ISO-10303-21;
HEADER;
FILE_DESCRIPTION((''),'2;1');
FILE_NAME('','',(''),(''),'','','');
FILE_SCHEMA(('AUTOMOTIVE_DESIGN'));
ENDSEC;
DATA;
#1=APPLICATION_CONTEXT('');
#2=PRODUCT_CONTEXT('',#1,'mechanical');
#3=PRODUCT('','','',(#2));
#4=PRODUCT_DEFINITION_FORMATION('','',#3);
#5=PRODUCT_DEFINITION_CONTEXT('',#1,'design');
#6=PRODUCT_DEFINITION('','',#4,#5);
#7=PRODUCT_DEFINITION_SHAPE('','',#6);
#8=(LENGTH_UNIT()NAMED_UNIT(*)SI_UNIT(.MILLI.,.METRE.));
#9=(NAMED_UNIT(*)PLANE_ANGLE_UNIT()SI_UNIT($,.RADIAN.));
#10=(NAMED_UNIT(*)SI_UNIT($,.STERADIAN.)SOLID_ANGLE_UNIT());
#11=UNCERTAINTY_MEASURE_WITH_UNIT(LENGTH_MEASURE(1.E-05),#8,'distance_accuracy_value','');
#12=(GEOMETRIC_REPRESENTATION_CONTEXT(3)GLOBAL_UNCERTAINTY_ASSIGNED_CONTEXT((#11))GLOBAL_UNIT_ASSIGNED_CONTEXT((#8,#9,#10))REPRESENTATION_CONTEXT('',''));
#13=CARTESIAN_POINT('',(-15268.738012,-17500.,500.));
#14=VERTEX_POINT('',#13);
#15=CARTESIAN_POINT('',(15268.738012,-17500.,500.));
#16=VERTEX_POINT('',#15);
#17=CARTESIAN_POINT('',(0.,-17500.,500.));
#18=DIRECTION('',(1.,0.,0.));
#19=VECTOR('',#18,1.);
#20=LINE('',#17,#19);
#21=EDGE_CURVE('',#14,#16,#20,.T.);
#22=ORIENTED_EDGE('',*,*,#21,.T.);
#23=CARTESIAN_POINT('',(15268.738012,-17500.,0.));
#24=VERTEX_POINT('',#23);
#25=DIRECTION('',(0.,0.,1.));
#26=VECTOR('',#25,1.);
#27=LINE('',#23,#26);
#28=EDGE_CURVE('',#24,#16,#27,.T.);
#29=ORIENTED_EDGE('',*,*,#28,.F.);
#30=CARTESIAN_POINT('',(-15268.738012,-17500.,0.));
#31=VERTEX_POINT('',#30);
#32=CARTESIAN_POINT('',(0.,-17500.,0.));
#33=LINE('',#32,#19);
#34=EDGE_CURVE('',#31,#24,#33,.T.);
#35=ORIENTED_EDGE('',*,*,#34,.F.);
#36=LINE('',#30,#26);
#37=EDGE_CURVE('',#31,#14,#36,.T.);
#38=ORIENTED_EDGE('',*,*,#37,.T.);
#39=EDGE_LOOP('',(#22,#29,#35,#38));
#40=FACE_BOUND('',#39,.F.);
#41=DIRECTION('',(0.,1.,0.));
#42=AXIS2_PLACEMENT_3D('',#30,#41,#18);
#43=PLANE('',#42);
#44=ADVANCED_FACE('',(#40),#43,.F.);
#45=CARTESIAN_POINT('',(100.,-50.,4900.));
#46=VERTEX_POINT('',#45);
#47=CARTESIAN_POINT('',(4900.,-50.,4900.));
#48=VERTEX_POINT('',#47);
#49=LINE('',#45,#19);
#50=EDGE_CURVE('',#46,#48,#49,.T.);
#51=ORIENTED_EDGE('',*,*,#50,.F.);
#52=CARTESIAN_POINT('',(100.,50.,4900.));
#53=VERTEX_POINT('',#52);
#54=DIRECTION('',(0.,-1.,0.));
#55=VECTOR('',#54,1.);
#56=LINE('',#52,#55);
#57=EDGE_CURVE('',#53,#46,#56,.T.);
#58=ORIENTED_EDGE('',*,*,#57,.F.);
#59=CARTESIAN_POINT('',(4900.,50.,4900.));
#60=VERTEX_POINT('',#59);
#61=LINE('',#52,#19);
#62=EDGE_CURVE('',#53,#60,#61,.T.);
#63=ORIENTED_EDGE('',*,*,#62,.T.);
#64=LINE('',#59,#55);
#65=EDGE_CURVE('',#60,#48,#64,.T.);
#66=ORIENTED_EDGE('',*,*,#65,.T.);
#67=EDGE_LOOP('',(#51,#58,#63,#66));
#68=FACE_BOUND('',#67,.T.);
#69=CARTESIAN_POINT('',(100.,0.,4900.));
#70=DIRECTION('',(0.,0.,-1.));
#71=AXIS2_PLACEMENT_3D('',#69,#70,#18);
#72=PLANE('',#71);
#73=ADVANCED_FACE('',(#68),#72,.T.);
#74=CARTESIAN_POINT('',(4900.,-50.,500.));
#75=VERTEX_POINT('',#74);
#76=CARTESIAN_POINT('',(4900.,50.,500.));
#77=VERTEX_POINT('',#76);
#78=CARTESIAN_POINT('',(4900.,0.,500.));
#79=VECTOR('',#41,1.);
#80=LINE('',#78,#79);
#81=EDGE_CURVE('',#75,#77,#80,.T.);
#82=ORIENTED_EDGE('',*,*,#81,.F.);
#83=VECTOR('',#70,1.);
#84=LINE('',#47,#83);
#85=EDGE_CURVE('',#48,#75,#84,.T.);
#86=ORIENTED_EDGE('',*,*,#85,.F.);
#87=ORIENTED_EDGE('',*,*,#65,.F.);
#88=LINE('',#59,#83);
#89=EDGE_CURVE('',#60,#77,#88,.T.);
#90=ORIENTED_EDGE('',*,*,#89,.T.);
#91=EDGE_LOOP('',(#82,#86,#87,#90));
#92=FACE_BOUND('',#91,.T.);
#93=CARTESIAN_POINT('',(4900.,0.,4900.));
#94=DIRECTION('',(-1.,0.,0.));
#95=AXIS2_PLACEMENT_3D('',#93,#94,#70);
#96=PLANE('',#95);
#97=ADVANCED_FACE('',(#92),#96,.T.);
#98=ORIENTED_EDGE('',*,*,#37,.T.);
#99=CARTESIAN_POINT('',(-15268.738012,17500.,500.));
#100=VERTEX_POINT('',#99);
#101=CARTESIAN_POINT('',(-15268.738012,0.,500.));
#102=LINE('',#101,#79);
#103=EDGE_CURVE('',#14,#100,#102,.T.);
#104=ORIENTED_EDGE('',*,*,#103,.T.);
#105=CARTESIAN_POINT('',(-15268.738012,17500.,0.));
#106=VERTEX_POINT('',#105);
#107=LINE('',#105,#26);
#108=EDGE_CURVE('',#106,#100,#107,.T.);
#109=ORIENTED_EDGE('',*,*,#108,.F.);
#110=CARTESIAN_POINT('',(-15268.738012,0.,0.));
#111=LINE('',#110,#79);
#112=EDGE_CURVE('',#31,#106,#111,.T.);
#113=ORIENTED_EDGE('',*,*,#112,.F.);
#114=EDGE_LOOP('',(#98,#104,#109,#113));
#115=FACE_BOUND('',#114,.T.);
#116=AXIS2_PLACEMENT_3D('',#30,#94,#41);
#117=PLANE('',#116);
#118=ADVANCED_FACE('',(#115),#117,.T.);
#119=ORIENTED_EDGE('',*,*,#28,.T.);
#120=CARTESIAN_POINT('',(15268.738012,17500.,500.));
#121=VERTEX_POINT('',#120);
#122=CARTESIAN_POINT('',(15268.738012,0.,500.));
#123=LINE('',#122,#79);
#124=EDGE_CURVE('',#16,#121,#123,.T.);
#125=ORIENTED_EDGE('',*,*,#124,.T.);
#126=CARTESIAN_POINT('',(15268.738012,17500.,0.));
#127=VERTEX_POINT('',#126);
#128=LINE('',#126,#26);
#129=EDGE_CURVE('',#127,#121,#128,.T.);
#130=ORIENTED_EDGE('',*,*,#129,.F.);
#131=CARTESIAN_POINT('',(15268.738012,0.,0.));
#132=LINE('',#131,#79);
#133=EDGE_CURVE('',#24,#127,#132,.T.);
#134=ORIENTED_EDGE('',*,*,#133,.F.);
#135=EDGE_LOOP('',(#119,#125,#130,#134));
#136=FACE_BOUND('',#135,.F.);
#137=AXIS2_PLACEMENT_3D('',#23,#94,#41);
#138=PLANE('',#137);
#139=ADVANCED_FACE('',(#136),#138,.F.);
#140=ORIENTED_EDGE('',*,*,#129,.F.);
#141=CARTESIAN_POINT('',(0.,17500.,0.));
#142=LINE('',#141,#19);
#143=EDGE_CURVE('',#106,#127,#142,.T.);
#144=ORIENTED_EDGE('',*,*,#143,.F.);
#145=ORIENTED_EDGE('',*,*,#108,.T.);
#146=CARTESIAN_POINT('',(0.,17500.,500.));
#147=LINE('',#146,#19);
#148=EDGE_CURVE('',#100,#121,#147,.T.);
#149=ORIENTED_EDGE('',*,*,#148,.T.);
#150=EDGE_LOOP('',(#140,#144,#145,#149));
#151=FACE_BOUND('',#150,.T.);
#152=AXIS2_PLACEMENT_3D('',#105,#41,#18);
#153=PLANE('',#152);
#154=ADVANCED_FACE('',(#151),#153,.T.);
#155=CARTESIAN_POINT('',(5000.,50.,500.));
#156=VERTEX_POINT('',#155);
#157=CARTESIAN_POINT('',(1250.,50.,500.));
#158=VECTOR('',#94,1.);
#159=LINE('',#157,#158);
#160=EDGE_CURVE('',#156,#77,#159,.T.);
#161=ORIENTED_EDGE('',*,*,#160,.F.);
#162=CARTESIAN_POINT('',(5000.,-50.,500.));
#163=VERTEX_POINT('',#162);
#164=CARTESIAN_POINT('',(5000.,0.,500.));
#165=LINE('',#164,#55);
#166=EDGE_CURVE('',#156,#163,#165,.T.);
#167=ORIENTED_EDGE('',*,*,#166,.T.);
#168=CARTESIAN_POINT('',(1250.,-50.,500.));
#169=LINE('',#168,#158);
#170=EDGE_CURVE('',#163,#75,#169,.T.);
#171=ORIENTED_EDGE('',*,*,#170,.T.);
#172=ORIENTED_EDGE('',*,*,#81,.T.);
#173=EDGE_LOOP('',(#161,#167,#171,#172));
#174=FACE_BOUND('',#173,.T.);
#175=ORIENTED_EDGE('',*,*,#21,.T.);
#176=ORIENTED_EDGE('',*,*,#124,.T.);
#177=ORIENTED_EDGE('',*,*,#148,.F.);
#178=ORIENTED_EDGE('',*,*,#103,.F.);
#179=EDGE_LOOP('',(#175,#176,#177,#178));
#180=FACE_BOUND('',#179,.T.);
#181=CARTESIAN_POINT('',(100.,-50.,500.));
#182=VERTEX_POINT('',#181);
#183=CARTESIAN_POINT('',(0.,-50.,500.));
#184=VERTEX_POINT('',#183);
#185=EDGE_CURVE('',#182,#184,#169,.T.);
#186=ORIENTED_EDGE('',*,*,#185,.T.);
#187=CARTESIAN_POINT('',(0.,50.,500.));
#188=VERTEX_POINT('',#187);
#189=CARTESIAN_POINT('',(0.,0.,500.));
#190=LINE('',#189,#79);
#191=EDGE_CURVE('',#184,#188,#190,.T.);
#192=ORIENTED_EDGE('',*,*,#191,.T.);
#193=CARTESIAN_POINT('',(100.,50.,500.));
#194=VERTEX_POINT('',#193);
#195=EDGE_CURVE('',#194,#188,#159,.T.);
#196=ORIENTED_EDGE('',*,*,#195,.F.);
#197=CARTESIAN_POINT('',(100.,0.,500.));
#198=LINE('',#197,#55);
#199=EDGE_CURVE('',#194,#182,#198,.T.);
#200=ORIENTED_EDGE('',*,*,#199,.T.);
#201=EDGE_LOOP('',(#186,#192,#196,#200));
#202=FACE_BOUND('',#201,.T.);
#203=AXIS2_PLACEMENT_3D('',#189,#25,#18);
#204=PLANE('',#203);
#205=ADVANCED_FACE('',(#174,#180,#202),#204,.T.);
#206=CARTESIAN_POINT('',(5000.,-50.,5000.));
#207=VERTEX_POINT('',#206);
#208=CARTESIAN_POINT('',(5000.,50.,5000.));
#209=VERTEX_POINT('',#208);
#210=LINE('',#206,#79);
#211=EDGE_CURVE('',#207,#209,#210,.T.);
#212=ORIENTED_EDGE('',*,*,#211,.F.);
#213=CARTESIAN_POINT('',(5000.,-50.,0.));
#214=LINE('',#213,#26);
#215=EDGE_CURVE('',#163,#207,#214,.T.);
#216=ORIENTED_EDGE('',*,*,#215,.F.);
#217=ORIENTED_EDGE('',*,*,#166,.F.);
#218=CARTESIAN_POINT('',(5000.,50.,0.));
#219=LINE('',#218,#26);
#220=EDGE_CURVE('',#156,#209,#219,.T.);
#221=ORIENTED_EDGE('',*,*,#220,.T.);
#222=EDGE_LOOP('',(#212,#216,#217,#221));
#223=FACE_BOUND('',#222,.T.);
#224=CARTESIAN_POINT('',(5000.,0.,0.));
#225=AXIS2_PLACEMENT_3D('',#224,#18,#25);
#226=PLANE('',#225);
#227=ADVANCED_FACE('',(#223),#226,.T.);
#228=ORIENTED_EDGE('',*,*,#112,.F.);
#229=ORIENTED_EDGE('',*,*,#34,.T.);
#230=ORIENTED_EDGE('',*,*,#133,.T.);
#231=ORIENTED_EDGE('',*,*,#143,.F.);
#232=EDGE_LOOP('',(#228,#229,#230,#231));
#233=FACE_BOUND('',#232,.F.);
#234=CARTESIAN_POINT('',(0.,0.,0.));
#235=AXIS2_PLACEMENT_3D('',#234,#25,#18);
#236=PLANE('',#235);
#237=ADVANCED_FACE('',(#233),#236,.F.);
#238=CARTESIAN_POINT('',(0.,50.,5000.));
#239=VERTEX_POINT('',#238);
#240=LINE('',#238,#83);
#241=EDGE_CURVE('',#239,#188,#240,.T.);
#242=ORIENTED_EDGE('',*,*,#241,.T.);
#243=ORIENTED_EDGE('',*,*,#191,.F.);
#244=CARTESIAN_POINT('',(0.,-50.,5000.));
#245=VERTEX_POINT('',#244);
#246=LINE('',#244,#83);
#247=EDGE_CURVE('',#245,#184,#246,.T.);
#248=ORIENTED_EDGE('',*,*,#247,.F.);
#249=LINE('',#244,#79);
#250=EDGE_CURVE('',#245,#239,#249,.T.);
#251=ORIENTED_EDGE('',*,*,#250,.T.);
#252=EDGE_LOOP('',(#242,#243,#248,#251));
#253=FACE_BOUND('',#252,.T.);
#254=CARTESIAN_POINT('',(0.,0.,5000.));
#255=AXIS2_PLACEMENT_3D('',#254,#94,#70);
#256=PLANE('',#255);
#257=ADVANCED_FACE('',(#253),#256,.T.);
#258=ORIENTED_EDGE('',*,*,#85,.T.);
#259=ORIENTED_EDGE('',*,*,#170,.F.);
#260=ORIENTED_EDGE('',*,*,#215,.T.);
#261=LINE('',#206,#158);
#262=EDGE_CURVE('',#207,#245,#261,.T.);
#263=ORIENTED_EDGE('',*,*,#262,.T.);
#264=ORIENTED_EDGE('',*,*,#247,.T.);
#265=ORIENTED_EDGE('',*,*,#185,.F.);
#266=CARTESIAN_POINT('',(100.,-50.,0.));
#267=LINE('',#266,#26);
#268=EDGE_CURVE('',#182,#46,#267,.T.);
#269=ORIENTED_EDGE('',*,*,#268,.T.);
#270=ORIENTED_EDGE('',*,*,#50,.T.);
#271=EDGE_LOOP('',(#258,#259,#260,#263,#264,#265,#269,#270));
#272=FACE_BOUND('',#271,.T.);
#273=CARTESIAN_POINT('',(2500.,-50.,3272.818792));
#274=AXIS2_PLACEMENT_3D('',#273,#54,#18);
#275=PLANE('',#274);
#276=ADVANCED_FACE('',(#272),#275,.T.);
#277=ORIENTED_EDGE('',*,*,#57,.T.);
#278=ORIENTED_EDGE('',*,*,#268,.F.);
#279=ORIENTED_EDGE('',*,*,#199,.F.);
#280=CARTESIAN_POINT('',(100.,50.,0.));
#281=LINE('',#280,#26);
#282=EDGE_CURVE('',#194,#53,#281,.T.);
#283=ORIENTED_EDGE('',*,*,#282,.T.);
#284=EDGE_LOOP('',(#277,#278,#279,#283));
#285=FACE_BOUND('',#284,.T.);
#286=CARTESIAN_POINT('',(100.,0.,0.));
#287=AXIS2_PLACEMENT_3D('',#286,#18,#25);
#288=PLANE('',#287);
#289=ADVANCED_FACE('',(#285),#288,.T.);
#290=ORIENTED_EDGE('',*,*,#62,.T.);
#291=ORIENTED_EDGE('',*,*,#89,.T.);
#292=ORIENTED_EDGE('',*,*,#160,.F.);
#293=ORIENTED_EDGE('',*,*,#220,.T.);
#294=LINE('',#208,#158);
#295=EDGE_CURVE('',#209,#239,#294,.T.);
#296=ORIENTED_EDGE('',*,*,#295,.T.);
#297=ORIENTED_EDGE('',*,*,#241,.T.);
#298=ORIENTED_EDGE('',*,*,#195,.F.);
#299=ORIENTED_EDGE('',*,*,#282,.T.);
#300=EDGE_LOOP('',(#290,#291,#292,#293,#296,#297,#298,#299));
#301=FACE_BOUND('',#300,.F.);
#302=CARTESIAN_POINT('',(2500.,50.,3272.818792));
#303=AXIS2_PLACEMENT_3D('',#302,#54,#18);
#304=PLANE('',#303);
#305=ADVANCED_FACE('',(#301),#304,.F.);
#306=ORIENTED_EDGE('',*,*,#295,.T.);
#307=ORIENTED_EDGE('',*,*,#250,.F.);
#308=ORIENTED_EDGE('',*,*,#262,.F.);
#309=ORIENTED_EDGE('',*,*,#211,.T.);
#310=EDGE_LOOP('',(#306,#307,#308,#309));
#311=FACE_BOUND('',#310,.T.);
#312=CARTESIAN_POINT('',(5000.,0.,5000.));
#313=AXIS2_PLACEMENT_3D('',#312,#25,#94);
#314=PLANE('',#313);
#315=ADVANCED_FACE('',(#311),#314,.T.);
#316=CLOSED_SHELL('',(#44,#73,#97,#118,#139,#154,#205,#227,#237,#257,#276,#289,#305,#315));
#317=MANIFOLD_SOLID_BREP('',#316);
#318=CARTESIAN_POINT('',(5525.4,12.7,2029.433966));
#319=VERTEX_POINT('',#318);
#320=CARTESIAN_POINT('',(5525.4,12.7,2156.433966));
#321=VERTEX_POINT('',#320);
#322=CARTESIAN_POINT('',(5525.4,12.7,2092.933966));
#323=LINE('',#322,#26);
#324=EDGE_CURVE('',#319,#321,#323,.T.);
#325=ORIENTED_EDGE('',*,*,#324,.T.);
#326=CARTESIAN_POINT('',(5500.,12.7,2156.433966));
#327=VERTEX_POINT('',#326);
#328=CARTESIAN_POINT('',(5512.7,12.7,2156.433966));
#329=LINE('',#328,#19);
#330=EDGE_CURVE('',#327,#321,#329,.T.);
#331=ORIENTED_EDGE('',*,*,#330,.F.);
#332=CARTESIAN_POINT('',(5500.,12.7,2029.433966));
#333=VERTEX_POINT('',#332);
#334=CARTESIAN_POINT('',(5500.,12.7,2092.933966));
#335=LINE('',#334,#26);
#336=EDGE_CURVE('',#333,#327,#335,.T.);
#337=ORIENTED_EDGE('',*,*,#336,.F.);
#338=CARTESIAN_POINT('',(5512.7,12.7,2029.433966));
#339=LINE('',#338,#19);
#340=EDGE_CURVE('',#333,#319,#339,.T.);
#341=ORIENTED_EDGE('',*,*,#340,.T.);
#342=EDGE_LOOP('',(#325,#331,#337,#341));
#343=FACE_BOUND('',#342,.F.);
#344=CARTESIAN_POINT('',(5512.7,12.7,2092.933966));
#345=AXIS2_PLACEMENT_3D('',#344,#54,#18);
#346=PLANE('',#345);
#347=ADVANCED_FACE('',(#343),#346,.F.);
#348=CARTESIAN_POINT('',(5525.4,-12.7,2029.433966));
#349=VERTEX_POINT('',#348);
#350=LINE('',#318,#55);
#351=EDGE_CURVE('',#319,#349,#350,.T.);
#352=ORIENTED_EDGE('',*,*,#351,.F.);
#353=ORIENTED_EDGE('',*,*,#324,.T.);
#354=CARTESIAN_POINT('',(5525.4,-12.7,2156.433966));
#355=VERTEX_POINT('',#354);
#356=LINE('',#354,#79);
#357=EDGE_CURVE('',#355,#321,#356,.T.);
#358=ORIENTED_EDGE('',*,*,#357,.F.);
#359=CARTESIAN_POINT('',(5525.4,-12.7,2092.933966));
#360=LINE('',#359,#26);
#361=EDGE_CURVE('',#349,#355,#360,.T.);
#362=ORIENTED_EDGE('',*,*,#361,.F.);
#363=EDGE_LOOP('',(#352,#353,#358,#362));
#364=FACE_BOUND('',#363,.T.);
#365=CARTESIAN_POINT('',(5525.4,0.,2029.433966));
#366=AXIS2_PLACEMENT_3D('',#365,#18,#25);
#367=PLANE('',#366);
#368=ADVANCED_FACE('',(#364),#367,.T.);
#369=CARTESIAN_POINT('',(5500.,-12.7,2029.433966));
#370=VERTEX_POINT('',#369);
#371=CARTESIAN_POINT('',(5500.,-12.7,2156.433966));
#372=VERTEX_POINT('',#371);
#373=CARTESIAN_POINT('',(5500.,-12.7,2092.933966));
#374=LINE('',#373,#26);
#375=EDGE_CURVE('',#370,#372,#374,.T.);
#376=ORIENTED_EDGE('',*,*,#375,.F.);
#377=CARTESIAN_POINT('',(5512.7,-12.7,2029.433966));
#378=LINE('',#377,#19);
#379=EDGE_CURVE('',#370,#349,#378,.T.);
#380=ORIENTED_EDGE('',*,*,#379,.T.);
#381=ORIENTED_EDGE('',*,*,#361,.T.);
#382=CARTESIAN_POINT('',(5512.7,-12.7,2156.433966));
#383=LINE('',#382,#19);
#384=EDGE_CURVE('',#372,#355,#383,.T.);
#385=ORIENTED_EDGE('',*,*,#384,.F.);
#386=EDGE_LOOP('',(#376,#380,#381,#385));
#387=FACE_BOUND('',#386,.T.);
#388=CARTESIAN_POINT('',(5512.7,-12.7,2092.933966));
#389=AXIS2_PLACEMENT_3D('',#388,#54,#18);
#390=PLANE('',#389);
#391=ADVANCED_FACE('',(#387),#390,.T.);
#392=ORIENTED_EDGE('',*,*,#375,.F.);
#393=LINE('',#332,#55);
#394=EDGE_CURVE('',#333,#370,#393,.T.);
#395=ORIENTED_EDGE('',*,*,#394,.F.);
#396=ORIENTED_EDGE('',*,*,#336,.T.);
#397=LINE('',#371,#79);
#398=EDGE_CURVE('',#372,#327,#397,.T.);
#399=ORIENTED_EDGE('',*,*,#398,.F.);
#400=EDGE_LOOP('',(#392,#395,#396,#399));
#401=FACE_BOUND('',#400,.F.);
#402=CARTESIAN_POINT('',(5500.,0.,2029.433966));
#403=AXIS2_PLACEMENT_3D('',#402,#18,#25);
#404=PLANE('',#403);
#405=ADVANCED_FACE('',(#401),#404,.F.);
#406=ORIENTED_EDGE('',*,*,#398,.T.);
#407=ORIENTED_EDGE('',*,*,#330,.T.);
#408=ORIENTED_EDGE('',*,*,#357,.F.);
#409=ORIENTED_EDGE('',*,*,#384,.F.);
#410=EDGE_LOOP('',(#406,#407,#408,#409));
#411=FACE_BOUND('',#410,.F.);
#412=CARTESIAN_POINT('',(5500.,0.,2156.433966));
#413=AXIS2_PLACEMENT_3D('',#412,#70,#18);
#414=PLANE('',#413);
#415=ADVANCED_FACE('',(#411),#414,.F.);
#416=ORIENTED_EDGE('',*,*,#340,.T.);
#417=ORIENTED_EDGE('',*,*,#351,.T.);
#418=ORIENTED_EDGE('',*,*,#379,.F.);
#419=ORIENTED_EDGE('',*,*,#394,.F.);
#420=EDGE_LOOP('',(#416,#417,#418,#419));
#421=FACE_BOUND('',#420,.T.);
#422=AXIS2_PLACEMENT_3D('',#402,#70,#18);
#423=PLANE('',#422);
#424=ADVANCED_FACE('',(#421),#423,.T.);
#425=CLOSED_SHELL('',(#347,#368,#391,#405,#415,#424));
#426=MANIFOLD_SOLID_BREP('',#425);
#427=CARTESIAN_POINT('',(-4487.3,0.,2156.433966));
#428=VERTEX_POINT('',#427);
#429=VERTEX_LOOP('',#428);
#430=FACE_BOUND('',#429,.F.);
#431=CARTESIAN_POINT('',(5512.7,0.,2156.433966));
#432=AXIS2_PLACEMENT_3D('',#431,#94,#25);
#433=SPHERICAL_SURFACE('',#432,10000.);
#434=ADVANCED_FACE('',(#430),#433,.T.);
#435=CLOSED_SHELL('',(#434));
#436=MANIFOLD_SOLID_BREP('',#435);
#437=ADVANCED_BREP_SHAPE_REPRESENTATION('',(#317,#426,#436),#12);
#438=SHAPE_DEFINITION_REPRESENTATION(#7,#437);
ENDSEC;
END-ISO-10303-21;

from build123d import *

# Parameters (mm, degrees)
F1_DEPTH = 50
F0_W     = 25.4
F0_H     = 127
F2_DEPTH = 12.7
F3_W     = 30537.4760249312
F3_H     = 35000
F4_DEPTH = 500


with BuildPart() as f1:
    # F0 (on Front) → F1 (new body, symmetric)
    with BuildSketch(Plane.XZ):
        Polygon((0, 5000), (0, 0), (100, 0), (100, 4900), (4900, 4900), (4900, 0), (5000, 0), (5000, 5000), align=None)
    extrude(amount=F1_DEPTH, both=True)

    # F3 (on Top) → F4 (join)
    with BuildSketch(Plane.XY):
        Rectangle(F3_W, F3_H)
    extrude(amount=F4_DEPTH)


with BuildPart() as f2:
    # F0 (on Front) → F2 (new body, symmetric)
    with BuildSketch(Plane.XZ):
        with Locations((5512.7, 2092.933965683)):
            Rectangle(F0_W, F0_H)
    extrude(amount=F2_DEPTH, both=True)


with BuildPart() as f7:
    # F6 (on offset) → F7 (revolve)
    with BuildSketch(Plane.XZ):
        with BuildLine():
            Line((-4487.3, 2156.433965683), (15512.7, 2156.433965683))
            ThreePointArc((15512.7, 2156.433965683), (5512.7, 12156.433965683), (-4487.3, 2156.433965683))
        make_face()
    revolve(axis=Axis((5512.7, 0, 2156.433965683), (1, 0, 0)))


solid = Compound([f1.part, f2.part, f7.part])
